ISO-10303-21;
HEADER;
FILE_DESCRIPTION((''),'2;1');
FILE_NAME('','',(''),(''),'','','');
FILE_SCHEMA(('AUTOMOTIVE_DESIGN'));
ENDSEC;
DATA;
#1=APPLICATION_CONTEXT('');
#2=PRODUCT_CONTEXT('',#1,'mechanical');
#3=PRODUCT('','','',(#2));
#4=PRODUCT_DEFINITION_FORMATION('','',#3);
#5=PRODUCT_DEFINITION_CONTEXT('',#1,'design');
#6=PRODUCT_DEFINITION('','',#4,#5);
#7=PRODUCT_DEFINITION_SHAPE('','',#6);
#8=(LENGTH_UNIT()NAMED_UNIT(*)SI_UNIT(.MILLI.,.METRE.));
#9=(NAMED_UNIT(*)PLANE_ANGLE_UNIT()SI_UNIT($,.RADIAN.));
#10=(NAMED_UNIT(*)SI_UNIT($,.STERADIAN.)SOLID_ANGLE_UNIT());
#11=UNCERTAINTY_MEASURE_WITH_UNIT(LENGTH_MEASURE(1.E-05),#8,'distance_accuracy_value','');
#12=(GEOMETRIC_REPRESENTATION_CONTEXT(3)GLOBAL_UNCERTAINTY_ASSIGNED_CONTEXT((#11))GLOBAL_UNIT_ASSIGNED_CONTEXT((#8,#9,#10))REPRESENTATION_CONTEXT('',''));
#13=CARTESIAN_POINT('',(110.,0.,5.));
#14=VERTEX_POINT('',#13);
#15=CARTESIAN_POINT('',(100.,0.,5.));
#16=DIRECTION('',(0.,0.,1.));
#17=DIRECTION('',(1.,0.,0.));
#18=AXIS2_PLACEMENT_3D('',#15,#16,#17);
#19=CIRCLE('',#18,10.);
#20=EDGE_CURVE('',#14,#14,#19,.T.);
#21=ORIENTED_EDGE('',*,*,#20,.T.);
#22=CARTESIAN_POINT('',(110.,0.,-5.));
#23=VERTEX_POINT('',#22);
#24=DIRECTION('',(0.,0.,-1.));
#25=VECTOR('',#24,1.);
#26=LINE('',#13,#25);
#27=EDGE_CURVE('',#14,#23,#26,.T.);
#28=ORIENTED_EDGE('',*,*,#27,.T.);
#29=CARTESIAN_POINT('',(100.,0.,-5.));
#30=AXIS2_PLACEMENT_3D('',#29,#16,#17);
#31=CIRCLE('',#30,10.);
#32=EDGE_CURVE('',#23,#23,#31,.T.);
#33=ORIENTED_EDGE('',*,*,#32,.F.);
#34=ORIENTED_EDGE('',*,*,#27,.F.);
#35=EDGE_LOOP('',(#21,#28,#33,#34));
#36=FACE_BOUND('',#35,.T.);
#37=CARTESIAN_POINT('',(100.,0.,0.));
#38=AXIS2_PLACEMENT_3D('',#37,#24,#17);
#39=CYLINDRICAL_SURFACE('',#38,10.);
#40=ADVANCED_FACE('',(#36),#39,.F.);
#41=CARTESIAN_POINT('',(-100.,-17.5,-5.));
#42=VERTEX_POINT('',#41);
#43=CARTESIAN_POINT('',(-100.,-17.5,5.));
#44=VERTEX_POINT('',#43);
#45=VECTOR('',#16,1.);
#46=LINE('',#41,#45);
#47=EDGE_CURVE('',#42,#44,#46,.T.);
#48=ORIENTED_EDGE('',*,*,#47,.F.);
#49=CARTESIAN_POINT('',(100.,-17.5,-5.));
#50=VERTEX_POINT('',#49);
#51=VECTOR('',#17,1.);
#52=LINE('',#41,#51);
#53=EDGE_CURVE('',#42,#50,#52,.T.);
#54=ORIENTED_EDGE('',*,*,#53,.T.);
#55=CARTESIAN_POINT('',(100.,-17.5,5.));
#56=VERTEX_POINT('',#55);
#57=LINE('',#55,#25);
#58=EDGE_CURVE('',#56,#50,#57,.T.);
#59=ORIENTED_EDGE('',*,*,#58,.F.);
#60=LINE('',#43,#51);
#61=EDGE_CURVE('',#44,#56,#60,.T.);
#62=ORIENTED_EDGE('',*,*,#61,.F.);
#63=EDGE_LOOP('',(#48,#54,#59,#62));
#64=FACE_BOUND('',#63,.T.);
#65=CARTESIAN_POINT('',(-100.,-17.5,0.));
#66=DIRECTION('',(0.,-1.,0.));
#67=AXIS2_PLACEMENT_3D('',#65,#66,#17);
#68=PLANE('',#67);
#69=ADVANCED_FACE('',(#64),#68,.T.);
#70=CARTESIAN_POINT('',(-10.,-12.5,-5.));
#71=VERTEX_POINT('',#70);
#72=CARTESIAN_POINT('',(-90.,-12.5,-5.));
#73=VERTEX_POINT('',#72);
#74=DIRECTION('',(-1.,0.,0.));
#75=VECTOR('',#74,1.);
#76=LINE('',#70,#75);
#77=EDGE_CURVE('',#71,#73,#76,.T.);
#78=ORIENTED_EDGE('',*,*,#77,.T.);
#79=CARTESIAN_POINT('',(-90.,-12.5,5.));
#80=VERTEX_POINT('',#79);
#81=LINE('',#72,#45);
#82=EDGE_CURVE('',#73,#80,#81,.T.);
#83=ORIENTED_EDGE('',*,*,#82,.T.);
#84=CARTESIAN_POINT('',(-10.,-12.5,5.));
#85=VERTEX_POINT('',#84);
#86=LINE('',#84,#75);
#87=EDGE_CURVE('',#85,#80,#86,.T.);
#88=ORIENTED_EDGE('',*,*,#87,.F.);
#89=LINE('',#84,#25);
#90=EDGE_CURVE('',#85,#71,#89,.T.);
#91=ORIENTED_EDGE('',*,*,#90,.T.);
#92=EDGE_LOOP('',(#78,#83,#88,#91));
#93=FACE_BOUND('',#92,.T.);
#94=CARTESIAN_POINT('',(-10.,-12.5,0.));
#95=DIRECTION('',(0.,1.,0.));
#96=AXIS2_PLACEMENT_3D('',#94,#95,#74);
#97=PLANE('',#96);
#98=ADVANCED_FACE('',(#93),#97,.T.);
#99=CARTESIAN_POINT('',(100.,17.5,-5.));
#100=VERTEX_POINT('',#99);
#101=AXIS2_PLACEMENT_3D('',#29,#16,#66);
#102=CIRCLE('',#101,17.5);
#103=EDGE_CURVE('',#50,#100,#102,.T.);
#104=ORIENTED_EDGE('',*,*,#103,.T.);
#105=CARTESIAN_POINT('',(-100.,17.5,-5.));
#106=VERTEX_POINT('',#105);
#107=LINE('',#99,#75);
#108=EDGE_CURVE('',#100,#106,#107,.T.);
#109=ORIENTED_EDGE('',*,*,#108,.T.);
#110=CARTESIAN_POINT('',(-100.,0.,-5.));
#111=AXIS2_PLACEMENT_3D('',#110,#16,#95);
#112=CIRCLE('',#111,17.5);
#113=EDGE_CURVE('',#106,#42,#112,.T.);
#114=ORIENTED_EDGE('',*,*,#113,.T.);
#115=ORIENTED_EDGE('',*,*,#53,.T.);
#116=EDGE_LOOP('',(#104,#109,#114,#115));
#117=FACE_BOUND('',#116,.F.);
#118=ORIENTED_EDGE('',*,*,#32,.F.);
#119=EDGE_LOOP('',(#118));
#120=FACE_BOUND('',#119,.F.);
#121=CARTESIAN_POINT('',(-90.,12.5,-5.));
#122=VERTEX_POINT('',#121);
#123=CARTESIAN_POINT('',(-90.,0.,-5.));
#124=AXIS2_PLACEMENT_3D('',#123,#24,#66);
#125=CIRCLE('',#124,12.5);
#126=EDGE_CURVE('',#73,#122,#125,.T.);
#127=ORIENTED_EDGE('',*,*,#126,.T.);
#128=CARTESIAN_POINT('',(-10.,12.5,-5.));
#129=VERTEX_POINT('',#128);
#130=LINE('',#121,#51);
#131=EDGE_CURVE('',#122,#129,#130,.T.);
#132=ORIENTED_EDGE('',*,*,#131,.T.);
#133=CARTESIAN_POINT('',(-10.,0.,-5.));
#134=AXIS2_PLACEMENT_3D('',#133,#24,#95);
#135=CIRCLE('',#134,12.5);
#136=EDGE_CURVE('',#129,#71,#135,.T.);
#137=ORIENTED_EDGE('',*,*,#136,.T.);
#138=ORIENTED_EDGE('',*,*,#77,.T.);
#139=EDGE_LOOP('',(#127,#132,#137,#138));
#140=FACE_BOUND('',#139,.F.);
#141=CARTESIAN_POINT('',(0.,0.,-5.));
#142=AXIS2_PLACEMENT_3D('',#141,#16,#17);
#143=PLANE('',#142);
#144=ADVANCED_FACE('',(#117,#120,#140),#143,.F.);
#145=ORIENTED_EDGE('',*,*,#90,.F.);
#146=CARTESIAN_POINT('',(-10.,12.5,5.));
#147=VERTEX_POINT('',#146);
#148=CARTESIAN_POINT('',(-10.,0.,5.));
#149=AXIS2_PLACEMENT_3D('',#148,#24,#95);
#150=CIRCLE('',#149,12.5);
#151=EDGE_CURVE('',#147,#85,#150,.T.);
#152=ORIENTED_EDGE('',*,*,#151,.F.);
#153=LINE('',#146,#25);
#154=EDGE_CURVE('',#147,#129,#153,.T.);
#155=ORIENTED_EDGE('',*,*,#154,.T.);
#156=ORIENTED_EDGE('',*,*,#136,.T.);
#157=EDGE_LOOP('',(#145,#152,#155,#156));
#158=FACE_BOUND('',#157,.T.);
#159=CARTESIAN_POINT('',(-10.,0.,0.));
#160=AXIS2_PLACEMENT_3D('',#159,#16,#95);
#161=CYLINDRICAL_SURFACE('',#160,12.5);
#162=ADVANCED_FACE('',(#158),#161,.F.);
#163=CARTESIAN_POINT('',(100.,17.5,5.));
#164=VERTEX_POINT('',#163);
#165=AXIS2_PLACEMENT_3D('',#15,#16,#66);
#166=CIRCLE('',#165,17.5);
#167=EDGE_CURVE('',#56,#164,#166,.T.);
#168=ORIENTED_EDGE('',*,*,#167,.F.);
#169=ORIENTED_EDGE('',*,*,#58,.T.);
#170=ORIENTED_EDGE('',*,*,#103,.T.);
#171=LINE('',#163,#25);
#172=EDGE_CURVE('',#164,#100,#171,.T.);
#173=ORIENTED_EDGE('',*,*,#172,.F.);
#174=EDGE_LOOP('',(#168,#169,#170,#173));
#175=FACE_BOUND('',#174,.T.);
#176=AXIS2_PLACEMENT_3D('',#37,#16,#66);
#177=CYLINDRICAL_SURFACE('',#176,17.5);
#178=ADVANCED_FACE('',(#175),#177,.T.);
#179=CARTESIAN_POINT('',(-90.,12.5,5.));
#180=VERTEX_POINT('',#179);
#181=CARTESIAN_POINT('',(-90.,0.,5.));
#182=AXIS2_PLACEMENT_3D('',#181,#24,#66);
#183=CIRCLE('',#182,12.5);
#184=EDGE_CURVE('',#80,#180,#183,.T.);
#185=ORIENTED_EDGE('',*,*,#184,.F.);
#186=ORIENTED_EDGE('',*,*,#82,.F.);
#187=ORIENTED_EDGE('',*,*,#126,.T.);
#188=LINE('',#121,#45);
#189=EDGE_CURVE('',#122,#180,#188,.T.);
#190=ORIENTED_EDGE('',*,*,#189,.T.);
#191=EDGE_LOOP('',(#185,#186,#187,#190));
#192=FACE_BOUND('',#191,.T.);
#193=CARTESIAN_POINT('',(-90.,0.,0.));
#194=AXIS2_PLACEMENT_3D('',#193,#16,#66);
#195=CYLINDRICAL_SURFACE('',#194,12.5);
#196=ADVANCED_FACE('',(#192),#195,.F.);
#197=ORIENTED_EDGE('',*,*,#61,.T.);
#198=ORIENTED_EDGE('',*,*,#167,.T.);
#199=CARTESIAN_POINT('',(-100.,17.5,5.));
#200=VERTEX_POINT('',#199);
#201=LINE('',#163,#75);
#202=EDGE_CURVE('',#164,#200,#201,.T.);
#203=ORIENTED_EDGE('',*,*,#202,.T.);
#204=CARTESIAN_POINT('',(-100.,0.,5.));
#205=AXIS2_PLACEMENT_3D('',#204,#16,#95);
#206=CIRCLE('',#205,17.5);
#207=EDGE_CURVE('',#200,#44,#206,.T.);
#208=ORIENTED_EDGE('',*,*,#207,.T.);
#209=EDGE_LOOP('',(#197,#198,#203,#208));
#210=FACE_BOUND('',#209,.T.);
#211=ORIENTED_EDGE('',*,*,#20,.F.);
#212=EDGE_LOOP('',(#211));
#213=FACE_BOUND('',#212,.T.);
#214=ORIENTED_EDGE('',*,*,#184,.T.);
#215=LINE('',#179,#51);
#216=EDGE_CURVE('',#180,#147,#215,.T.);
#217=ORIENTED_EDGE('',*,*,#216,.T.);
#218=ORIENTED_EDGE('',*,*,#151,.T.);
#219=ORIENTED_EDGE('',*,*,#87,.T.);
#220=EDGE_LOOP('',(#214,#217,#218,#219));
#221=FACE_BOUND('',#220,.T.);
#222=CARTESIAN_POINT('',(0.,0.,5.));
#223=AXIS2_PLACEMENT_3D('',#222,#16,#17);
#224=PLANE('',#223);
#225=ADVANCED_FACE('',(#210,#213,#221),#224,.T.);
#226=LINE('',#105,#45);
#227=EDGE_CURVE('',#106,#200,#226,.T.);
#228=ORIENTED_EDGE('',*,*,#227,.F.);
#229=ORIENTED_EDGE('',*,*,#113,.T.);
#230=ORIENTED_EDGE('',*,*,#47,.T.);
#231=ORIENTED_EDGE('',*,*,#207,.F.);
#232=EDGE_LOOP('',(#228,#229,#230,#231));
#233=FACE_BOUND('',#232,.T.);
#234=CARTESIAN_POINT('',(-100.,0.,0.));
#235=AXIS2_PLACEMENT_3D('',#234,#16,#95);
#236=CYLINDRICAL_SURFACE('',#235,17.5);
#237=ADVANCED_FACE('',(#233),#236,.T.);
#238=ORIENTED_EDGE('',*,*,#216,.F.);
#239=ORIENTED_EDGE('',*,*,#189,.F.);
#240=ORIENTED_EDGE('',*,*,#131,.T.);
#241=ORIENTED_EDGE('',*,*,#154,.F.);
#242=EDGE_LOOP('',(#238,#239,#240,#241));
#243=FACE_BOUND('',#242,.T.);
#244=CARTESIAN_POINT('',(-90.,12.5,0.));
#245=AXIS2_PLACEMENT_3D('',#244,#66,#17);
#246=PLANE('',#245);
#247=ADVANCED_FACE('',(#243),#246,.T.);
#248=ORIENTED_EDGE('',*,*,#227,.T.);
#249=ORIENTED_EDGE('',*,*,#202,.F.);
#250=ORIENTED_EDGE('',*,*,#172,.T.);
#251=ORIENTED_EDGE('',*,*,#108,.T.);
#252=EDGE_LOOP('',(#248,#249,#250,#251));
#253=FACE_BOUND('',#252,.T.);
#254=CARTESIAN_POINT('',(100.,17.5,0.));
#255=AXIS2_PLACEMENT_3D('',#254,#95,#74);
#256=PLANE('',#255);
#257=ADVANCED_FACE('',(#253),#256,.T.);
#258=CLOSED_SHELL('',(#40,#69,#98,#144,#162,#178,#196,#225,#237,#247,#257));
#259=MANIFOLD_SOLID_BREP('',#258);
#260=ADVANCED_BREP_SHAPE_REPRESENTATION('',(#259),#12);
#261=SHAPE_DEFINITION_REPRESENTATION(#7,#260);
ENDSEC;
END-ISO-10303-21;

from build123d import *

# Parameters (mm, degrees)
F0_R     = 10
F1_DEPTH = 5


with BuildPart() as f1:
    # F0 (on Top) → F1 (new body, symmetric)
    with BuildSketch(Plane.XY):
        with BuildLine():
            Line((100, 17.5), (-100, 17.5))
            ThreePointArc((-100, 17.5), (-117.5, 0), (-100, -17.5))
            Line((-100, -17.5), (100, -17.5))
            ThreePointArc((100, -17.5), (117.5, 0), (100, 17.5))
        make_face()
        with BuildLine():
            ThreePointArc((-90, -12.5), (-102.5, 0), (-90, 12.5))
            Line((-90, 12.5), (-10, 12.5))
            ThreePointArc((-10, 12.5), (2.5, 0), (-10, -12.5))
            Line((-10, -12.5), (-90, -12.5))
        make_face(mode=Mode.SUBTRACT)
        with Locations((100, 0)):
            Circle(F0_R, mode=Mode.SUBTRACT)
    extrude(amount=F1_DEPTH, both=True)


solid = f1.part
